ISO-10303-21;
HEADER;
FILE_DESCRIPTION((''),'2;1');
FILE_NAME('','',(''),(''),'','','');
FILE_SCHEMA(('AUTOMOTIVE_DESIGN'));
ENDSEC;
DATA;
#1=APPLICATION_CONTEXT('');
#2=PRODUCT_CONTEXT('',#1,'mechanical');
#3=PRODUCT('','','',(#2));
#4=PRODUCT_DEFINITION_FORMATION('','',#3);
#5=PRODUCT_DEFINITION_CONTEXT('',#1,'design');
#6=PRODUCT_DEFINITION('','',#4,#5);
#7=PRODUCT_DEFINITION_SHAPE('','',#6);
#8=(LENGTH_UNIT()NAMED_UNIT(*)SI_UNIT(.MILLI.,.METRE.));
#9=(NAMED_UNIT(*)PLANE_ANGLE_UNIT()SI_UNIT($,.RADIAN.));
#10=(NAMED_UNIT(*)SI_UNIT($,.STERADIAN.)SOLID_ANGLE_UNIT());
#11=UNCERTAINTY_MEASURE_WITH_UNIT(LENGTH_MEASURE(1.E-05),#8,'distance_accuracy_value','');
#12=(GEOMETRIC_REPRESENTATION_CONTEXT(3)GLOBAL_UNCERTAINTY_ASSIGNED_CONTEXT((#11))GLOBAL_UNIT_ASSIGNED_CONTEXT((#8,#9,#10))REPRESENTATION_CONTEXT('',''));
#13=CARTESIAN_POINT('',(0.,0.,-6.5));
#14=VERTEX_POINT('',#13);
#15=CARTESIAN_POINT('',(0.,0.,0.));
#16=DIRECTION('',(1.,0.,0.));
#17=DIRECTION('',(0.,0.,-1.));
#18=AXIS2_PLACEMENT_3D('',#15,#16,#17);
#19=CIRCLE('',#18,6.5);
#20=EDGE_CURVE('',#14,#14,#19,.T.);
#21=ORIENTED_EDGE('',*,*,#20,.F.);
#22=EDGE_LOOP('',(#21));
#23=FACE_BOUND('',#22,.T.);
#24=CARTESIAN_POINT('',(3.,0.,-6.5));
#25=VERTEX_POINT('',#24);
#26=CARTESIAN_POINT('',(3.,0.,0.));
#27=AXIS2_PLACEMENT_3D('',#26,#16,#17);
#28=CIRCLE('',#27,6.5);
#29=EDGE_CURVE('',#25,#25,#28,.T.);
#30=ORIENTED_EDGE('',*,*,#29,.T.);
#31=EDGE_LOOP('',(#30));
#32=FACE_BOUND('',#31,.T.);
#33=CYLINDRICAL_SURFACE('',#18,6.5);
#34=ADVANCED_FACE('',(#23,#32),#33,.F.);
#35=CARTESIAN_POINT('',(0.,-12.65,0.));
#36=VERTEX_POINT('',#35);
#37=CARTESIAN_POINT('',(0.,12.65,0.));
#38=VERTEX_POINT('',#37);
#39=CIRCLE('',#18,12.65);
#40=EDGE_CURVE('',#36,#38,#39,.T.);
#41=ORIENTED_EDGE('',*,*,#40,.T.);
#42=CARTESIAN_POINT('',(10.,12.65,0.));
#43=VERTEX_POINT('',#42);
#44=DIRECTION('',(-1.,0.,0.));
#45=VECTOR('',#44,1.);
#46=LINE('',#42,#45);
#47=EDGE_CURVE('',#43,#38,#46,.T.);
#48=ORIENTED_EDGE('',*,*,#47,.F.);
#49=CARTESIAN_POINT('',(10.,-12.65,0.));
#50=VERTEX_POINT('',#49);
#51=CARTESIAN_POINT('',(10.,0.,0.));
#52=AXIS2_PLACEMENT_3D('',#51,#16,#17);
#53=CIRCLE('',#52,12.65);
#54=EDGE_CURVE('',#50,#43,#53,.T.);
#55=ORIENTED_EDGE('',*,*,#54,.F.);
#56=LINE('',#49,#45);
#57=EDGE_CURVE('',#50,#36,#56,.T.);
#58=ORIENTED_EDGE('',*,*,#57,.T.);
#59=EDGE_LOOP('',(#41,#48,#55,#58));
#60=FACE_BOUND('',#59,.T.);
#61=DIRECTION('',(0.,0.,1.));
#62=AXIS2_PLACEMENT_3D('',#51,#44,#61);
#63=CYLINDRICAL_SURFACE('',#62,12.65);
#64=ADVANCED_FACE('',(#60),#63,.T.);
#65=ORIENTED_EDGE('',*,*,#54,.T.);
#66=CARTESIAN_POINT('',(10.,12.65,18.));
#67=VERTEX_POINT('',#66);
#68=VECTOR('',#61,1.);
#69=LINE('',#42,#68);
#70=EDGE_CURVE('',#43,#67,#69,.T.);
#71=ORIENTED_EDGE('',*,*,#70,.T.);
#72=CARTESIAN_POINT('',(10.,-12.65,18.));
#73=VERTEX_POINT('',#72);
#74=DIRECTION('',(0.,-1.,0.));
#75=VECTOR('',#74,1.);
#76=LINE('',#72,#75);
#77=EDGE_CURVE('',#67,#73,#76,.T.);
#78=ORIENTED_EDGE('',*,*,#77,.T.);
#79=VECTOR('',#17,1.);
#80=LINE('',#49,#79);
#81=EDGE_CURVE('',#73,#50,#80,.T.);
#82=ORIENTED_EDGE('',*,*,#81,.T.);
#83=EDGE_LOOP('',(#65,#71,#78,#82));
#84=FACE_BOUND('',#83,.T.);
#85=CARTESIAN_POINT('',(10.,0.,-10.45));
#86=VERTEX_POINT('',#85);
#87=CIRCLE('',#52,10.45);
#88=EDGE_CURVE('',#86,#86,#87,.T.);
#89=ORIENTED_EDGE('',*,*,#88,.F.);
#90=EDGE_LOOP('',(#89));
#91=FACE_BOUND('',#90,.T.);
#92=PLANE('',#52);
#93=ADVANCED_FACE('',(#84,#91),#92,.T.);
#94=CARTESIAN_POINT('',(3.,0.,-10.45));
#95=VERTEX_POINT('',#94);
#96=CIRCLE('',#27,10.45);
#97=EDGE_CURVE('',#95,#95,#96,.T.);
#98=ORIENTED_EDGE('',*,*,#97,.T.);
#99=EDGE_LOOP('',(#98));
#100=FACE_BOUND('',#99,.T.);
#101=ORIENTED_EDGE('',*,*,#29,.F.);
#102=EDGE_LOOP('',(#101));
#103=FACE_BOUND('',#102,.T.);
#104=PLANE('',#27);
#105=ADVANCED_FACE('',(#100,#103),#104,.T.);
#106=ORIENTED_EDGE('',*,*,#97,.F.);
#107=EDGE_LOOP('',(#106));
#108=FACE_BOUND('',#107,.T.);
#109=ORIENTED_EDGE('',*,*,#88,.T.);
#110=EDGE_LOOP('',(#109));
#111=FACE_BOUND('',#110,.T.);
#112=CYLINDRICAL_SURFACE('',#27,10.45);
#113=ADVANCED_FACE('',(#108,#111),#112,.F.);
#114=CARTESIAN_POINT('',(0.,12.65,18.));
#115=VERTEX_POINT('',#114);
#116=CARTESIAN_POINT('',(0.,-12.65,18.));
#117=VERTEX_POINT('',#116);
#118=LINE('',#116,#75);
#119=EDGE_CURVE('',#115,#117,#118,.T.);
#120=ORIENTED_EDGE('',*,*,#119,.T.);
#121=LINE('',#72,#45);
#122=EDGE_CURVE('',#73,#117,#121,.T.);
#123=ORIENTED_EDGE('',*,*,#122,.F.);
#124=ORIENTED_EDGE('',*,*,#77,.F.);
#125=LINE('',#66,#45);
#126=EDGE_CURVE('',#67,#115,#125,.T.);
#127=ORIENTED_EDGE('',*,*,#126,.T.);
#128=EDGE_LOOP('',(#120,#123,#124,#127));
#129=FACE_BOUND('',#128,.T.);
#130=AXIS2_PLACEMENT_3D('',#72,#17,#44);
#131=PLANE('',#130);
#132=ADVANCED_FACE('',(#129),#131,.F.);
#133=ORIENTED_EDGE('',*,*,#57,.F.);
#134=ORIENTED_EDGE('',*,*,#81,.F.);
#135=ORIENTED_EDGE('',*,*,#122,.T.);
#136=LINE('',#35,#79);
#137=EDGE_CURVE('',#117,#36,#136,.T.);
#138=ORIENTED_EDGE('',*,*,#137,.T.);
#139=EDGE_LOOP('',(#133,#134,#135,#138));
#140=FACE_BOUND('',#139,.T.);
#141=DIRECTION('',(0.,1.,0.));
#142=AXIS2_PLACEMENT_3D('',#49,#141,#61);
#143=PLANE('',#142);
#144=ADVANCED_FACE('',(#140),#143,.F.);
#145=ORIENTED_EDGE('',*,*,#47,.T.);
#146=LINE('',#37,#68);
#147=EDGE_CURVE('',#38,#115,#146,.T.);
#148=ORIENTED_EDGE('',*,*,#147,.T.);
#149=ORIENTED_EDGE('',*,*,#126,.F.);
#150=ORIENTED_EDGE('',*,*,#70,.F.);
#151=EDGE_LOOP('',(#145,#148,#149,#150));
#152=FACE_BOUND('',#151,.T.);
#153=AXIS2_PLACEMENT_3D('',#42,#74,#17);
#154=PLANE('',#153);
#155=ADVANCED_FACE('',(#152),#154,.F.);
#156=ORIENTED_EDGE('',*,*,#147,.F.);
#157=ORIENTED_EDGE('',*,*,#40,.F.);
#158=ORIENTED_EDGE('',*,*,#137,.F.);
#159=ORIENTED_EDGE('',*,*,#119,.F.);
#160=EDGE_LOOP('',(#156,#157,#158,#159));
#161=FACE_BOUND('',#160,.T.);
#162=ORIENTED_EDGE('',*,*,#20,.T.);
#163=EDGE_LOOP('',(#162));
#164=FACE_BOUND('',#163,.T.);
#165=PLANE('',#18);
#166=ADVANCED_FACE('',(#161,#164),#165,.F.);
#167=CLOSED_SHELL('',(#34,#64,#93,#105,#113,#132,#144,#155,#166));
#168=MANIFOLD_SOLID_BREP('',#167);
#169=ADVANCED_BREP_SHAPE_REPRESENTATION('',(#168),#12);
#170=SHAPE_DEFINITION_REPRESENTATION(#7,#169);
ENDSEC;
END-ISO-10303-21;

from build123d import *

# Parameters (mm, degrees)
BOSS_EXTRUDE1_DEPTH = 10
SKETCH2_R           = 10.45
CUT_EXTRUDE1_DEPTH  = 7
SKETCH3_R           = 6.5
CUT_EXTRUDE2_DEPTH  = 24.087280048


with BuildPart() as part:
    # Sketch1 → Boss-Extrude1 (new body)
    with BuildSketch(Plane.YZ):
        with BuildLine():
            Line((-12.65, 0), (-12.65, 18))
            Line((-12.65, 18), (12.65, 18))
            Line((12.65, 18), (12.65, 0))
            ThreePointArc((12.65, 0), (0, -12.65), (-12.65, 0))
        make_face()
    extrude(amount=BOSS_EXTRUDE1_DEPTH)

    # Sketch2 → Cut-Extrude1 (cut)
    with BuildSketch(Plane.YZ.offset(10)):
        with Locations(Location((0, 0, 0), (0, 0, 270))):
            Circle(SKETCH2_R)
    extrude(amount=-CUT_EXTRUDE1_DEPTH, mode=Mode.SUBTRACT)

    # Sketch3 → Cut-Extrude2 (cut, through all)
    with BuildSketch(Plane.YZ.offset(3)):
        with Locations(Location((0, 0, 0), (0, 0, 270))):
            Circle(SKETCH3_R)
    extrude(amount=-CUT_EXTRUDE2_DEPTH, mode=Mode.SUBTRACT)


solid = part.part
